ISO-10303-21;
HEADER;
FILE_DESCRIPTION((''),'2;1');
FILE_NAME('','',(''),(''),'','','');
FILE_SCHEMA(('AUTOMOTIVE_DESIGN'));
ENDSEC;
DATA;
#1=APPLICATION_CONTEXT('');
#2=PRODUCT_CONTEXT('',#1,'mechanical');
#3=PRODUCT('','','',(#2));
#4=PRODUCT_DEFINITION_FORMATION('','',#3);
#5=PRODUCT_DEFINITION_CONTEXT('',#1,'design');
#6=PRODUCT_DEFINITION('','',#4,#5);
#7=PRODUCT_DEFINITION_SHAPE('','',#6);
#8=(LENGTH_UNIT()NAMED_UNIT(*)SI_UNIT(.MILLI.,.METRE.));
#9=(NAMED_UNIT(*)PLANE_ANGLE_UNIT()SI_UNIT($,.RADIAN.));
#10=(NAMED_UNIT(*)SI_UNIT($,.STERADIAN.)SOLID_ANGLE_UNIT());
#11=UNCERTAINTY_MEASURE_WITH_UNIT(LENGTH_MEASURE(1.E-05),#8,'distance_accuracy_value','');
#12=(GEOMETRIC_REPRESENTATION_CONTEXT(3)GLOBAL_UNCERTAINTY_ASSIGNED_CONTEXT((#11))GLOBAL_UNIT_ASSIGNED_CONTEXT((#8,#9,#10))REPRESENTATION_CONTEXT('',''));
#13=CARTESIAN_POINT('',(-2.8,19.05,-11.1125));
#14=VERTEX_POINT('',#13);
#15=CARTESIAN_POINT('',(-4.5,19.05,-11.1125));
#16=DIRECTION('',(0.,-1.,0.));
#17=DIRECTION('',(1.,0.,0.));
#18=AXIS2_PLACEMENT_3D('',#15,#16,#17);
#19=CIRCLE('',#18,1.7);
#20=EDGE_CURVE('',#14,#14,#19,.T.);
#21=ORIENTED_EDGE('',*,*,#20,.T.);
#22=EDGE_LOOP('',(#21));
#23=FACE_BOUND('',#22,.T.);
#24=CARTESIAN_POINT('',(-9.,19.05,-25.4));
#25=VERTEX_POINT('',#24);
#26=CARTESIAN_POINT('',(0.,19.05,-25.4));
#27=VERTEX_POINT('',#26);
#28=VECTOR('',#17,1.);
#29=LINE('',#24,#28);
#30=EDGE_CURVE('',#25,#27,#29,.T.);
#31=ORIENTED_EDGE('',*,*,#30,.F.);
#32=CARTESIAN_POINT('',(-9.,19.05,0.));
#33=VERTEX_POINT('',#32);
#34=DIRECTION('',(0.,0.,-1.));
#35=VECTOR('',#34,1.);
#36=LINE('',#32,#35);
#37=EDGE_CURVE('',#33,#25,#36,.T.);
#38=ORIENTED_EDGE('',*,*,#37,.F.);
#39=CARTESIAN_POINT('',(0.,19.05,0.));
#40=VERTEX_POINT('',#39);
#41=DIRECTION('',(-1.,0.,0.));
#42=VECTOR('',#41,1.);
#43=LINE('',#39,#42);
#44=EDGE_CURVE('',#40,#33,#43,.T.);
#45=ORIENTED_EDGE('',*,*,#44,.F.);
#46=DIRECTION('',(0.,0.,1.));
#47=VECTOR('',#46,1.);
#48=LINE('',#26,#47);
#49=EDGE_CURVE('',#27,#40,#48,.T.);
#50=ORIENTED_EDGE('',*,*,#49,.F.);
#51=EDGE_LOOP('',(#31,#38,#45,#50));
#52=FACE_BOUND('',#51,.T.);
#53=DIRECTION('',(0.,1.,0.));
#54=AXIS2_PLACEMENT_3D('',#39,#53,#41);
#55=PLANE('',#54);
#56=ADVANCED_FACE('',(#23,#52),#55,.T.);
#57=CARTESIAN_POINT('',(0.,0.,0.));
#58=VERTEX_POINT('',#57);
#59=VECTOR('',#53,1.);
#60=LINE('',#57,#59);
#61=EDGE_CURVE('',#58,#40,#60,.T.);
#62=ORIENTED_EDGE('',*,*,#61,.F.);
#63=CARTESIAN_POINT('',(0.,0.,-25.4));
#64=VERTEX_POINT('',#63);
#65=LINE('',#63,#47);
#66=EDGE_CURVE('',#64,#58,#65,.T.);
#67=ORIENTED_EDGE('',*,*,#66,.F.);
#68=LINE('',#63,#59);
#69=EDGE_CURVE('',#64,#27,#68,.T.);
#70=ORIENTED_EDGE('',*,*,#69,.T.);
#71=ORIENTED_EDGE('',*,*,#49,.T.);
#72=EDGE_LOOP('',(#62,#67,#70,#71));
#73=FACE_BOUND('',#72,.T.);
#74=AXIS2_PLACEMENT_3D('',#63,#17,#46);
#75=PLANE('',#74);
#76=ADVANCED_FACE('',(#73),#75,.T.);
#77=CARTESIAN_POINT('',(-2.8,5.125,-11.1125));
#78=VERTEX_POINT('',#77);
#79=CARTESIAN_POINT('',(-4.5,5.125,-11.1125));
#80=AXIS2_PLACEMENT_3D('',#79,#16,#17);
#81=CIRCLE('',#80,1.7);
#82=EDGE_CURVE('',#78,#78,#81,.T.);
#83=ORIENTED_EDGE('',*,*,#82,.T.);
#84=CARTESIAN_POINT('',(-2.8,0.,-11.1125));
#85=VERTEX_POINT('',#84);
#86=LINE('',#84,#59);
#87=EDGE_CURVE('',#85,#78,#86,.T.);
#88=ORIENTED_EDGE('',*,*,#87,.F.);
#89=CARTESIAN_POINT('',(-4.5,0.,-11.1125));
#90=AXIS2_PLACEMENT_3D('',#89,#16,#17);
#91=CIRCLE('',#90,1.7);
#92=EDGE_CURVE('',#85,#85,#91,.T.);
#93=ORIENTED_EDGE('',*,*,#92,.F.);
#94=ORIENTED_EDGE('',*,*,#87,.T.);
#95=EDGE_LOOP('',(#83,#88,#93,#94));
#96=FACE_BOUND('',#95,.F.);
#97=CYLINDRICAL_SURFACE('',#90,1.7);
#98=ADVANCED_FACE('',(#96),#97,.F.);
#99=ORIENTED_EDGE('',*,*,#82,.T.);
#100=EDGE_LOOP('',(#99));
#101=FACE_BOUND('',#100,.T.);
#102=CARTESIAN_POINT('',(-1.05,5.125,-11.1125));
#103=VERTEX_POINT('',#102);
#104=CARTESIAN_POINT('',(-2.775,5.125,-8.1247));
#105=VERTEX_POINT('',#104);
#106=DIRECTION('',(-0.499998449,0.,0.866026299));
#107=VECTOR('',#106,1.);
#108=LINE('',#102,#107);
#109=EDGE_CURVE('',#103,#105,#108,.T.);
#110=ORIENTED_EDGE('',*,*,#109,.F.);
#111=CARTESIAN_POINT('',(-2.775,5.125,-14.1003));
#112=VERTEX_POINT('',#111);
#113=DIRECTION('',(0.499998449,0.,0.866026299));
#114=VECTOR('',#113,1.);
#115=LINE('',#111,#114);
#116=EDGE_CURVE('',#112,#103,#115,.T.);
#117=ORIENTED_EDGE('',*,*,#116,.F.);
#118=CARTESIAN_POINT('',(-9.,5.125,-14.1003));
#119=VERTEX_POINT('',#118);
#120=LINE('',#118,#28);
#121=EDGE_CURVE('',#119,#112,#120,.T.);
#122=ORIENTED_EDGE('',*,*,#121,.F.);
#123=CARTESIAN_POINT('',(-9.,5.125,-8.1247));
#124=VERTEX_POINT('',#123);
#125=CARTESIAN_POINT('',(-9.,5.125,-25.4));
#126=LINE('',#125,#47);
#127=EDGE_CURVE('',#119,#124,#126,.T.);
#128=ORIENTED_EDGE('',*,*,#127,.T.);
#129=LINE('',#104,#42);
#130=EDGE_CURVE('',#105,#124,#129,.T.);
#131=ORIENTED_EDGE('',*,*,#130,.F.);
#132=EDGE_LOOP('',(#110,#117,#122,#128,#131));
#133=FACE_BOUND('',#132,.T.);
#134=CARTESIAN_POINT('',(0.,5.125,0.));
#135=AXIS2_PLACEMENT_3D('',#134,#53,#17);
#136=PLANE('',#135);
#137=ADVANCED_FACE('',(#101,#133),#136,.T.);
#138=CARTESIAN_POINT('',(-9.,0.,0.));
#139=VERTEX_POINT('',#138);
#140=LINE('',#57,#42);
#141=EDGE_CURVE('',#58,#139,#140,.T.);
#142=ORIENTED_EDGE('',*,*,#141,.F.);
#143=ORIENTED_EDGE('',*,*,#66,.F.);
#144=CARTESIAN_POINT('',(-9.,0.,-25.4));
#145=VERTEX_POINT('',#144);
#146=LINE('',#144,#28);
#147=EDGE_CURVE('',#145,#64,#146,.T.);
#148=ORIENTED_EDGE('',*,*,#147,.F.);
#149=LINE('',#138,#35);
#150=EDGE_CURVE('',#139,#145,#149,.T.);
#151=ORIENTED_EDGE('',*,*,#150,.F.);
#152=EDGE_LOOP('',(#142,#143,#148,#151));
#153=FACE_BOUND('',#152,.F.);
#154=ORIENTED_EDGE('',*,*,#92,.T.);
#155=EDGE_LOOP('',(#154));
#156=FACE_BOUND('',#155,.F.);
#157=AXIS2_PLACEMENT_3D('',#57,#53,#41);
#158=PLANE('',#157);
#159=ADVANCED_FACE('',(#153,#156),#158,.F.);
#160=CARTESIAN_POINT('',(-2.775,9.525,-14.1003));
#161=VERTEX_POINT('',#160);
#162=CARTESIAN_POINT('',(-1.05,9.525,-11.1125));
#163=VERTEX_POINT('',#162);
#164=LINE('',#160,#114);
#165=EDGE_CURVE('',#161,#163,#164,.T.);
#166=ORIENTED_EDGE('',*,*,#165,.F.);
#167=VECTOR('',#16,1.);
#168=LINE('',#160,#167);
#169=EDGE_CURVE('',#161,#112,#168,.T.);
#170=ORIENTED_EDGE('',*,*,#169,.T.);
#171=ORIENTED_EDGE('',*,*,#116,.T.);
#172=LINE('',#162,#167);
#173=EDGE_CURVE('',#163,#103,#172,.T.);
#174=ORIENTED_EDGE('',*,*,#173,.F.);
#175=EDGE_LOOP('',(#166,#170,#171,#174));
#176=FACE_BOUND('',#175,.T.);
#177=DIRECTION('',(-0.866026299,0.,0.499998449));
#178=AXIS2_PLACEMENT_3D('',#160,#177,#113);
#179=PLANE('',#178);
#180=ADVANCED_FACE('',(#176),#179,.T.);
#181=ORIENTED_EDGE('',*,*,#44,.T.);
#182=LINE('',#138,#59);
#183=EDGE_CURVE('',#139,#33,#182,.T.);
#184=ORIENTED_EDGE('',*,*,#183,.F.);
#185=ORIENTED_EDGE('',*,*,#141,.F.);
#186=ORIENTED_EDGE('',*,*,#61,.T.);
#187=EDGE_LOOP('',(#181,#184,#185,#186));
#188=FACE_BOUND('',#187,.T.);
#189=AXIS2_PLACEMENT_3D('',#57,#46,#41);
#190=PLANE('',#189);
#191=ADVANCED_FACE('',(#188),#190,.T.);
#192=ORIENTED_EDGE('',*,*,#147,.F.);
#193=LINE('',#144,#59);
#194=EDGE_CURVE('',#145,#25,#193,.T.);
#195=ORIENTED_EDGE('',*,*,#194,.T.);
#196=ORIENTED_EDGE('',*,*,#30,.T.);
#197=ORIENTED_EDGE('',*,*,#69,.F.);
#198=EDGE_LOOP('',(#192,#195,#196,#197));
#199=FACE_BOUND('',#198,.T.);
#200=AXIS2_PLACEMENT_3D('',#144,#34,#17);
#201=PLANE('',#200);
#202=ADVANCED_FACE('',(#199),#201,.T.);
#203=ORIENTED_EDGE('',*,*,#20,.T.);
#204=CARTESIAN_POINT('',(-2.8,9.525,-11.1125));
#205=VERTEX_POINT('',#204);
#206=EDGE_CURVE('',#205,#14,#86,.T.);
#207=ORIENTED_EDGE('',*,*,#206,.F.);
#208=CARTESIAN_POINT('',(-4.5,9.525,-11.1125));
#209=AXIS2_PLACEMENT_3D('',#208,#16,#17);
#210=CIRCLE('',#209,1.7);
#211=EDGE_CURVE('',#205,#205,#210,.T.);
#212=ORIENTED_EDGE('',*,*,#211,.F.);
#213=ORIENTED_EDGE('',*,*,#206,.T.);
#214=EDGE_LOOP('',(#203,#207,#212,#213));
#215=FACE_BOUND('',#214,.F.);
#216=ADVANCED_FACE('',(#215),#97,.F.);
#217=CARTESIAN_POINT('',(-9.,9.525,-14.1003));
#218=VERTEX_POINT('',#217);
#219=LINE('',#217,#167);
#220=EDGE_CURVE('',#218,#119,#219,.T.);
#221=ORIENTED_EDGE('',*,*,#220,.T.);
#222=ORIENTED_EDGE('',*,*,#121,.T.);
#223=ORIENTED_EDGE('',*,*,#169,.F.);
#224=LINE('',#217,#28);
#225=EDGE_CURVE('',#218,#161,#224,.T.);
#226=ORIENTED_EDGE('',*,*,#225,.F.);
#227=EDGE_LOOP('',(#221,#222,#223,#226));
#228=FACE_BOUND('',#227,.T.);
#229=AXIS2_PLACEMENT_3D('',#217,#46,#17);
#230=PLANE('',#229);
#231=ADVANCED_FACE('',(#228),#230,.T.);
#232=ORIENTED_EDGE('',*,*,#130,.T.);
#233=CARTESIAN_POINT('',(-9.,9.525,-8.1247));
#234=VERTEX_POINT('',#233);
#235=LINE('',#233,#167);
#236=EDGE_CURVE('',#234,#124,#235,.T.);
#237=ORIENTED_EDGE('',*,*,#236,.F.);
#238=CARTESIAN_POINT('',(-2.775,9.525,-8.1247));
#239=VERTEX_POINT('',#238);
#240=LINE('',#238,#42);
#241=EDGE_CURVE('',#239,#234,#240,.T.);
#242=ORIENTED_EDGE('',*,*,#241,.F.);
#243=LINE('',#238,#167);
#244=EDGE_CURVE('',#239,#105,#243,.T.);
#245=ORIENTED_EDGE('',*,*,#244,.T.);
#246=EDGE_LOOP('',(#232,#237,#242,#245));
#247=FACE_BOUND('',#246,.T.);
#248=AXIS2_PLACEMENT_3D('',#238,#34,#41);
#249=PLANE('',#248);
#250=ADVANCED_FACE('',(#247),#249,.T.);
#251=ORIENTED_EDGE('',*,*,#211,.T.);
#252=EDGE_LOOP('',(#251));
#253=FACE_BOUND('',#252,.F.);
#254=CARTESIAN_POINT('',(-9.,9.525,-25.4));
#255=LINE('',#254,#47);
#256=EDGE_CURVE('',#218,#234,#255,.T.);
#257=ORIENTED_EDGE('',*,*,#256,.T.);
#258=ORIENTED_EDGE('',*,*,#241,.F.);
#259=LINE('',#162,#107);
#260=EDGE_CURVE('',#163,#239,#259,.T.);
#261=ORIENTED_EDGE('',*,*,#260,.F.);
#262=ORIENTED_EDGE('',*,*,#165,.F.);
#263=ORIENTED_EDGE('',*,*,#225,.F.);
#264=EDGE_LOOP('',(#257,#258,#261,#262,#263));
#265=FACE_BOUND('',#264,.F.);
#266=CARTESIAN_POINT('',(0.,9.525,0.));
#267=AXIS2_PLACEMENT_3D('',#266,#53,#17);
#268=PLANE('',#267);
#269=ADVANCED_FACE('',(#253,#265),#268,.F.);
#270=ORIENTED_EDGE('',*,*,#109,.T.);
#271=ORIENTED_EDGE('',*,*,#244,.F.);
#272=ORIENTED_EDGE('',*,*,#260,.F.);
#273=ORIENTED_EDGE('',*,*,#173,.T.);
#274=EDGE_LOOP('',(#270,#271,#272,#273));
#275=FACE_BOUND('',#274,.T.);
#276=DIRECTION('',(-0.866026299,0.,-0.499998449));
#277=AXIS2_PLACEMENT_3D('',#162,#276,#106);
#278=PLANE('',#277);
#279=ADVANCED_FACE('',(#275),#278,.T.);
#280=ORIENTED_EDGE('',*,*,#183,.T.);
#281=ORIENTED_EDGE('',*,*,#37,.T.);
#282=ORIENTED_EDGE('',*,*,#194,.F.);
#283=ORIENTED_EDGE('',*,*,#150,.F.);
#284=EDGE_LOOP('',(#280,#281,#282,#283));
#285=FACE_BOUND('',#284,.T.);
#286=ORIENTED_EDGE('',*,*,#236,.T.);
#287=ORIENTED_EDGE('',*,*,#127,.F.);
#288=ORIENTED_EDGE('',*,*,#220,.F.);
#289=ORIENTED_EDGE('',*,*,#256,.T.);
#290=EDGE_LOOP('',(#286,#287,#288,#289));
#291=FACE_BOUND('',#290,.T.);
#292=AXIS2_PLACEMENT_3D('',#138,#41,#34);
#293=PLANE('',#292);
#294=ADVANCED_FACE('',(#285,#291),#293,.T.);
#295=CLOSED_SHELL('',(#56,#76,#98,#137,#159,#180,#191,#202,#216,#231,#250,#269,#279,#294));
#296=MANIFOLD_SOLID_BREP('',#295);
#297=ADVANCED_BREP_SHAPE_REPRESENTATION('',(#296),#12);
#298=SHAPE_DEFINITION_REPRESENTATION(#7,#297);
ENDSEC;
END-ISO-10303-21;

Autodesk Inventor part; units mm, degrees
ref_plane "YZ Plane" through (0, 0, 0) normal (1, 0, 0) x (0, 1, 0)
ref_plane "XZ Plane" through (0, 0, 0) normal (0, 1, 0) x (-1, 0, 0)
ref_plane "XY Plane" through (0, 0, 0) normal (0, 0, 1) x (1, 0, 0)
sketch "Sketch1" plane through (0, 0, 0) normal (0, 1, 0) x (-1, 0, 0)
  line L0 (0, 0) -> (9, 0)
  line L1 (9, 0) -> (9, -25.4)
  line L2 (9, -25.4) -> (0, -25.4)
  line L3 (0, -25.4) -> (0, 0)
  dimension "d0" = 9
  dimension "d1" = 25.4
extrude "Extrusion1" add sketch "Sketch1" along normal blind 19.05
ref_plane "Work Plane1" through (0, 9.525, 0) normal (0, 1, 0) x (1, 0, 0)
sketch "Sketch2" plane through (0, 9.525, 0) normal (0, 1, 0) x (1, 0, 0)
  circle A0 centre (-4.5, 11.1125) radius 3.45 construction
  line L0 (-9, 25.4) -> (-9, 0) projected
  line L1 (-1.05, 11.1125) -> (-2.775, 8.1247)
  line L2 (-2.775, 8.1247) -> (-9, 8.1247)
  line L3 (-9, 14.1003) -> (-2.775, 14.1003)
  line L4 (-2.775, 14.1003) -> (-1.05, 11.1125)
  line L5 (-9, 8.1247) -> (-9, 14.1003)
  point P0 (0, 0)
  dimension "d4" = 6.9
  dimension "d5" = 4.5
extrude "Extrusion2" cut sketch "Sketch2" against normal blind 4.4
sketch "Sketch3" plane through (0, 0, 0) normal (0, -1, 0) x (1, 0, 0)
  line L0 (-2.775, -8.1247) -> (-9, -8.1247) construction
  line L1 (-9, -14.1003) -> (-2.775, -14.1003) construction
  line L2 (-2.775, -14.1003) -> (-1.05, -11.1125) construction
  line L3 (-1.05, -11.1125) -> (-2.775, -8.1247) construction
  circle A0 centre (-4.5, -11.1125) radius 1.7
  line L4 (-9, -25.4) -> (-9, 0) projected
  point P0 (0, 0)
  dimension "d8" = 3.4
  dimension "d9" = 4.5
extrude "Extrusion3" cut sketch "Sketch3" against normal through all
properties part number "drop in nut test"
